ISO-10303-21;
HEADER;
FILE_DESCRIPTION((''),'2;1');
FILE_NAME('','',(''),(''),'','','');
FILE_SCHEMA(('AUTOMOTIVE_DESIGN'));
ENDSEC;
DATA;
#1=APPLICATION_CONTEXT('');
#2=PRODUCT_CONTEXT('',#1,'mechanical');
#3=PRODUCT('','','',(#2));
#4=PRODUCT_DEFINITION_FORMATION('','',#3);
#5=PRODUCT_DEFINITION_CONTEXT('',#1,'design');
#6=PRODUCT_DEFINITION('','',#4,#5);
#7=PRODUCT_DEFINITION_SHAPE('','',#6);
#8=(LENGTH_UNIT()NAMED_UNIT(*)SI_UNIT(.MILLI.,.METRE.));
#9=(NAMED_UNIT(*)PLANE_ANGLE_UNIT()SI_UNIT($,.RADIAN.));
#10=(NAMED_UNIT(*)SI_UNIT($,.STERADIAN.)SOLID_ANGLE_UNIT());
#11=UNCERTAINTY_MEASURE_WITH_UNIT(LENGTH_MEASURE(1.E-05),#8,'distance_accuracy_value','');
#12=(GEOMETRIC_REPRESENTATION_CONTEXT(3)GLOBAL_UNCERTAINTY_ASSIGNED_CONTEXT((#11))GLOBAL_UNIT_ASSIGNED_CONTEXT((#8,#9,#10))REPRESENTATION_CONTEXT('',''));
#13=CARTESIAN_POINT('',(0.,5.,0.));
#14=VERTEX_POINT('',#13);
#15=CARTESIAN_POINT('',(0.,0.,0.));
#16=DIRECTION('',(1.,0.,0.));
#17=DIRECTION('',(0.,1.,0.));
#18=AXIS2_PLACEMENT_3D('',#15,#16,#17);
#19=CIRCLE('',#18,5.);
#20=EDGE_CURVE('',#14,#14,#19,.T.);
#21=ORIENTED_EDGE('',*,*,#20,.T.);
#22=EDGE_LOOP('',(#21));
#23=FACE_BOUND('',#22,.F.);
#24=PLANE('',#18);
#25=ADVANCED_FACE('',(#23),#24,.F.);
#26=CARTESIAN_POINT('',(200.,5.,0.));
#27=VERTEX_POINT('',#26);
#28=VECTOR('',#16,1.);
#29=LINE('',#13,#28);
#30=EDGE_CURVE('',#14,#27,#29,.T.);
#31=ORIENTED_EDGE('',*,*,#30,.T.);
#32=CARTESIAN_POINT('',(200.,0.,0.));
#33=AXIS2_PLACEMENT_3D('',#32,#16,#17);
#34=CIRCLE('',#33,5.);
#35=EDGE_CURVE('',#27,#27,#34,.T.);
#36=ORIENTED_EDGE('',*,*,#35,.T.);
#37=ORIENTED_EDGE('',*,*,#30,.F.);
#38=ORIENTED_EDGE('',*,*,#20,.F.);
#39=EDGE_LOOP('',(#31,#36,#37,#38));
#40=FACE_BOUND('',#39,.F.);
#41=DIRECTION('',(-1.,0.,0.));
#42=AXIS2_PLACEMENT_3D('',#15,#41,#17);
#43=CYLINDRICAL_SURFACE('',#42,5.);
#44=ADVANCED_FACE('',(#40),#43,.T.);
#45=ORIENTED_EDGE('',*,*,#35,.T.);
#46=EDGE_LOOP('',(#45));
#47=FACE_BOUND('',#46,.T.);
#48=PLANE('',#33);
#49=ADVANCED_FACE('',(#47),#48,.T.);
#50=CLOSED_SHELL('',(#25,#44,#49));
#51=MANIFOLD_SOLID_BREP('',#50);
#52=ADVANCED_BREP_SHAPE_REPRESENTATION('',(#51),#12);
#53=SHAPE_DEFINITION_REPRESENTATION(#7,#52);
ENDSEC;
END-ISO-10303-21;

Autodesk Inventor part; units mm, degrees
ref_plane "YZ Plane" through (0, 0, 0) normal (1, 0, 0) x (0, 1, 0)
ref_plane "XZ Plane" through (0, 0, 0) normal (0, 1, 0) x (-1, 0, 0)
ref_plane "XY Plane" through (0, 0, 0) normal (0, 0, 1) x (1, 0, 0)
sketch "スケッチ1" plane through (0, 0, 0) normal (1, 0, 0) x (0, 1, 0)
  circle A0 centre (0, 0) radius 5
  dimension "d0" = 10
extrude "押し出し1" add sketch "スケッチ1" along normal blind 200
properties part number "belt_liner_v1_shaft-200" material "アルミニウム 6061"
